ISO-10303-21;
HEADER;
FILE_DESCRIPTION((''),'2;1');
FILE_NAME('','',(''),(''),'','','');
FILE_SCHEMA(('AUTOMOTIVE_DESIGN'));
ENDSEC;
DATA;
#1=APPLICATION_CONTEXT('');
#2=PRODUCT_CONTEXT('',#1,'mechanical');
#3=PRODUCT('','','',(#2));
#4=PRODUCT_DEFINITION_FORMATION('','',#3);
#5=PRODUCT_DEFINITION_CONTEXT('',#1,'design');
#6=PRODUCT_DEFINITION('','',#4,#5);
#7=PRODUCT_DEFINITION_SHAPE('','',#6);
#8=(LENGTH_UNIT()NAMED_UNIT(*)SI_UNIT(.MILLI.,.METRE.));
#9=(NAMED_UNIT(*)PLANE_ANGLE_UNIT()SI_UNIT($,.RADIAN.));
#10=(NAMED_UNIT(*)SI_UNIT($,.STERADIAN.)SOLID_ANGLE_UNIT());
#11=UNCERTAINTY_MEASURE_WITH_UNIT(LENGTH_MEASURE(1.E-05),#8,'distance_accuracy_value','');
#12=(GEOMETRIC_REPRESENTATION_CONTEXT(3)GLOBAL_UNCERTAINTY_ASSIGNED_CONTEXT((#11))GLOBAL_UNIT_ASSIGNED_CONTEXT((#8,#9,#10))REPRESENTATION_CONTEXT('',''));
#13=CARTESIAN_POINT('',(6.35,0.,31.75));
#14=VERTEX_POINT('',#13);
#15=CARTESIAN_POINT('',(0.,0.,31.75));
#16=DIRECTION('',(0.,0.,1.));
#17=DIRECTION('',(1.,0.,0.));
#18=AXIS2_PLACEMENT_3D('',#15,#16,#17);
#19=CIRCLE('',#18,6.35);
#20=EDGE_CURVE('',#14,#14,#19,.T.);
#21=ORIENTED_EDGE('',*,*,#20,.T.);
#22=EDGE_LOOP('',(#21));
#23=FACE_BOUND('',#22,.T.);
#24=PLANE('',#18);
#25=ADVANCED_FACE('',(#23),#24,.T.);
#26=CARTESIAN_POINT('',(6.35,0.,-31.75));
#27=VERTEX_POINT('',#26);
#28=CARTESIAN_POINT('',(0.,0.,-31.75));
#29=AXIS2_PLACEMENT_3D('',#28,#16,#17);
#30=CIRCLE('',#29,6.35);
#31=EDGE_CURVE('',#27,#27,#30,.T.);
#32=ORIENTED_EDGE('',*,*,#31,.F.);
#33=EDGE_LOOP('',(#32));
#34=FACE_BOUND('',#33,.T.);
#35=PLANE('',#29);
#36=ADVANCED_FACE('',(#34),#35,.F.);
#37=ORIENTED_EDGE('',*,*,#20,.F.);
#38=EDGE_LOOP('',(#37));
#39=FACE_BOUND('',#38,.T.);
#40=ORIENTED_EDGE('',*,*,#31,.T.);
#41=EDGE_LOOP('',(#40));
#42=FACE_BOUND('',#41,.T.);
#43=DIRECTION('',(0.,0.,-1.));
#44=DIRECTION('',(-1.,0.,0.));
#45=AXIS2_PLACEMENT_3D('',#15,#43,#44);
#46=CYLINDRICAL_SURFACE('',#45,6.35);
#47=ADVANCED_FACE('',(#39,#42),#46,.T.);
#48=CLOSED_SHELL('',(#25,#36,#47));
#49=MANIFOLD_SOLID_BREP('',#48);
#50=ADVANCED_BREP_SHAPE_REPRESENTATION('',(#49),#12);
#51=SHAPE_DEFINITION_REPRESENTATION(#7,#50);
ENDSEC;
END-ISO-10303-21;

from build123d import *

# Parameters (mm, degrees)
SKETCH1_R           = 6.35
BOSS_EXTRUDE1_DEPTH = 31.75


with BuildPart() as part:
    # Sketch1 → Boss-Extrude1 (new body, symmetric)
    with BuildSketch(Plane.XY):
        Circle(SKETCH1_R)
    extrude(amount=BOSS_EXTRUDE1_DEPTH, both=True)


solid = part.part
